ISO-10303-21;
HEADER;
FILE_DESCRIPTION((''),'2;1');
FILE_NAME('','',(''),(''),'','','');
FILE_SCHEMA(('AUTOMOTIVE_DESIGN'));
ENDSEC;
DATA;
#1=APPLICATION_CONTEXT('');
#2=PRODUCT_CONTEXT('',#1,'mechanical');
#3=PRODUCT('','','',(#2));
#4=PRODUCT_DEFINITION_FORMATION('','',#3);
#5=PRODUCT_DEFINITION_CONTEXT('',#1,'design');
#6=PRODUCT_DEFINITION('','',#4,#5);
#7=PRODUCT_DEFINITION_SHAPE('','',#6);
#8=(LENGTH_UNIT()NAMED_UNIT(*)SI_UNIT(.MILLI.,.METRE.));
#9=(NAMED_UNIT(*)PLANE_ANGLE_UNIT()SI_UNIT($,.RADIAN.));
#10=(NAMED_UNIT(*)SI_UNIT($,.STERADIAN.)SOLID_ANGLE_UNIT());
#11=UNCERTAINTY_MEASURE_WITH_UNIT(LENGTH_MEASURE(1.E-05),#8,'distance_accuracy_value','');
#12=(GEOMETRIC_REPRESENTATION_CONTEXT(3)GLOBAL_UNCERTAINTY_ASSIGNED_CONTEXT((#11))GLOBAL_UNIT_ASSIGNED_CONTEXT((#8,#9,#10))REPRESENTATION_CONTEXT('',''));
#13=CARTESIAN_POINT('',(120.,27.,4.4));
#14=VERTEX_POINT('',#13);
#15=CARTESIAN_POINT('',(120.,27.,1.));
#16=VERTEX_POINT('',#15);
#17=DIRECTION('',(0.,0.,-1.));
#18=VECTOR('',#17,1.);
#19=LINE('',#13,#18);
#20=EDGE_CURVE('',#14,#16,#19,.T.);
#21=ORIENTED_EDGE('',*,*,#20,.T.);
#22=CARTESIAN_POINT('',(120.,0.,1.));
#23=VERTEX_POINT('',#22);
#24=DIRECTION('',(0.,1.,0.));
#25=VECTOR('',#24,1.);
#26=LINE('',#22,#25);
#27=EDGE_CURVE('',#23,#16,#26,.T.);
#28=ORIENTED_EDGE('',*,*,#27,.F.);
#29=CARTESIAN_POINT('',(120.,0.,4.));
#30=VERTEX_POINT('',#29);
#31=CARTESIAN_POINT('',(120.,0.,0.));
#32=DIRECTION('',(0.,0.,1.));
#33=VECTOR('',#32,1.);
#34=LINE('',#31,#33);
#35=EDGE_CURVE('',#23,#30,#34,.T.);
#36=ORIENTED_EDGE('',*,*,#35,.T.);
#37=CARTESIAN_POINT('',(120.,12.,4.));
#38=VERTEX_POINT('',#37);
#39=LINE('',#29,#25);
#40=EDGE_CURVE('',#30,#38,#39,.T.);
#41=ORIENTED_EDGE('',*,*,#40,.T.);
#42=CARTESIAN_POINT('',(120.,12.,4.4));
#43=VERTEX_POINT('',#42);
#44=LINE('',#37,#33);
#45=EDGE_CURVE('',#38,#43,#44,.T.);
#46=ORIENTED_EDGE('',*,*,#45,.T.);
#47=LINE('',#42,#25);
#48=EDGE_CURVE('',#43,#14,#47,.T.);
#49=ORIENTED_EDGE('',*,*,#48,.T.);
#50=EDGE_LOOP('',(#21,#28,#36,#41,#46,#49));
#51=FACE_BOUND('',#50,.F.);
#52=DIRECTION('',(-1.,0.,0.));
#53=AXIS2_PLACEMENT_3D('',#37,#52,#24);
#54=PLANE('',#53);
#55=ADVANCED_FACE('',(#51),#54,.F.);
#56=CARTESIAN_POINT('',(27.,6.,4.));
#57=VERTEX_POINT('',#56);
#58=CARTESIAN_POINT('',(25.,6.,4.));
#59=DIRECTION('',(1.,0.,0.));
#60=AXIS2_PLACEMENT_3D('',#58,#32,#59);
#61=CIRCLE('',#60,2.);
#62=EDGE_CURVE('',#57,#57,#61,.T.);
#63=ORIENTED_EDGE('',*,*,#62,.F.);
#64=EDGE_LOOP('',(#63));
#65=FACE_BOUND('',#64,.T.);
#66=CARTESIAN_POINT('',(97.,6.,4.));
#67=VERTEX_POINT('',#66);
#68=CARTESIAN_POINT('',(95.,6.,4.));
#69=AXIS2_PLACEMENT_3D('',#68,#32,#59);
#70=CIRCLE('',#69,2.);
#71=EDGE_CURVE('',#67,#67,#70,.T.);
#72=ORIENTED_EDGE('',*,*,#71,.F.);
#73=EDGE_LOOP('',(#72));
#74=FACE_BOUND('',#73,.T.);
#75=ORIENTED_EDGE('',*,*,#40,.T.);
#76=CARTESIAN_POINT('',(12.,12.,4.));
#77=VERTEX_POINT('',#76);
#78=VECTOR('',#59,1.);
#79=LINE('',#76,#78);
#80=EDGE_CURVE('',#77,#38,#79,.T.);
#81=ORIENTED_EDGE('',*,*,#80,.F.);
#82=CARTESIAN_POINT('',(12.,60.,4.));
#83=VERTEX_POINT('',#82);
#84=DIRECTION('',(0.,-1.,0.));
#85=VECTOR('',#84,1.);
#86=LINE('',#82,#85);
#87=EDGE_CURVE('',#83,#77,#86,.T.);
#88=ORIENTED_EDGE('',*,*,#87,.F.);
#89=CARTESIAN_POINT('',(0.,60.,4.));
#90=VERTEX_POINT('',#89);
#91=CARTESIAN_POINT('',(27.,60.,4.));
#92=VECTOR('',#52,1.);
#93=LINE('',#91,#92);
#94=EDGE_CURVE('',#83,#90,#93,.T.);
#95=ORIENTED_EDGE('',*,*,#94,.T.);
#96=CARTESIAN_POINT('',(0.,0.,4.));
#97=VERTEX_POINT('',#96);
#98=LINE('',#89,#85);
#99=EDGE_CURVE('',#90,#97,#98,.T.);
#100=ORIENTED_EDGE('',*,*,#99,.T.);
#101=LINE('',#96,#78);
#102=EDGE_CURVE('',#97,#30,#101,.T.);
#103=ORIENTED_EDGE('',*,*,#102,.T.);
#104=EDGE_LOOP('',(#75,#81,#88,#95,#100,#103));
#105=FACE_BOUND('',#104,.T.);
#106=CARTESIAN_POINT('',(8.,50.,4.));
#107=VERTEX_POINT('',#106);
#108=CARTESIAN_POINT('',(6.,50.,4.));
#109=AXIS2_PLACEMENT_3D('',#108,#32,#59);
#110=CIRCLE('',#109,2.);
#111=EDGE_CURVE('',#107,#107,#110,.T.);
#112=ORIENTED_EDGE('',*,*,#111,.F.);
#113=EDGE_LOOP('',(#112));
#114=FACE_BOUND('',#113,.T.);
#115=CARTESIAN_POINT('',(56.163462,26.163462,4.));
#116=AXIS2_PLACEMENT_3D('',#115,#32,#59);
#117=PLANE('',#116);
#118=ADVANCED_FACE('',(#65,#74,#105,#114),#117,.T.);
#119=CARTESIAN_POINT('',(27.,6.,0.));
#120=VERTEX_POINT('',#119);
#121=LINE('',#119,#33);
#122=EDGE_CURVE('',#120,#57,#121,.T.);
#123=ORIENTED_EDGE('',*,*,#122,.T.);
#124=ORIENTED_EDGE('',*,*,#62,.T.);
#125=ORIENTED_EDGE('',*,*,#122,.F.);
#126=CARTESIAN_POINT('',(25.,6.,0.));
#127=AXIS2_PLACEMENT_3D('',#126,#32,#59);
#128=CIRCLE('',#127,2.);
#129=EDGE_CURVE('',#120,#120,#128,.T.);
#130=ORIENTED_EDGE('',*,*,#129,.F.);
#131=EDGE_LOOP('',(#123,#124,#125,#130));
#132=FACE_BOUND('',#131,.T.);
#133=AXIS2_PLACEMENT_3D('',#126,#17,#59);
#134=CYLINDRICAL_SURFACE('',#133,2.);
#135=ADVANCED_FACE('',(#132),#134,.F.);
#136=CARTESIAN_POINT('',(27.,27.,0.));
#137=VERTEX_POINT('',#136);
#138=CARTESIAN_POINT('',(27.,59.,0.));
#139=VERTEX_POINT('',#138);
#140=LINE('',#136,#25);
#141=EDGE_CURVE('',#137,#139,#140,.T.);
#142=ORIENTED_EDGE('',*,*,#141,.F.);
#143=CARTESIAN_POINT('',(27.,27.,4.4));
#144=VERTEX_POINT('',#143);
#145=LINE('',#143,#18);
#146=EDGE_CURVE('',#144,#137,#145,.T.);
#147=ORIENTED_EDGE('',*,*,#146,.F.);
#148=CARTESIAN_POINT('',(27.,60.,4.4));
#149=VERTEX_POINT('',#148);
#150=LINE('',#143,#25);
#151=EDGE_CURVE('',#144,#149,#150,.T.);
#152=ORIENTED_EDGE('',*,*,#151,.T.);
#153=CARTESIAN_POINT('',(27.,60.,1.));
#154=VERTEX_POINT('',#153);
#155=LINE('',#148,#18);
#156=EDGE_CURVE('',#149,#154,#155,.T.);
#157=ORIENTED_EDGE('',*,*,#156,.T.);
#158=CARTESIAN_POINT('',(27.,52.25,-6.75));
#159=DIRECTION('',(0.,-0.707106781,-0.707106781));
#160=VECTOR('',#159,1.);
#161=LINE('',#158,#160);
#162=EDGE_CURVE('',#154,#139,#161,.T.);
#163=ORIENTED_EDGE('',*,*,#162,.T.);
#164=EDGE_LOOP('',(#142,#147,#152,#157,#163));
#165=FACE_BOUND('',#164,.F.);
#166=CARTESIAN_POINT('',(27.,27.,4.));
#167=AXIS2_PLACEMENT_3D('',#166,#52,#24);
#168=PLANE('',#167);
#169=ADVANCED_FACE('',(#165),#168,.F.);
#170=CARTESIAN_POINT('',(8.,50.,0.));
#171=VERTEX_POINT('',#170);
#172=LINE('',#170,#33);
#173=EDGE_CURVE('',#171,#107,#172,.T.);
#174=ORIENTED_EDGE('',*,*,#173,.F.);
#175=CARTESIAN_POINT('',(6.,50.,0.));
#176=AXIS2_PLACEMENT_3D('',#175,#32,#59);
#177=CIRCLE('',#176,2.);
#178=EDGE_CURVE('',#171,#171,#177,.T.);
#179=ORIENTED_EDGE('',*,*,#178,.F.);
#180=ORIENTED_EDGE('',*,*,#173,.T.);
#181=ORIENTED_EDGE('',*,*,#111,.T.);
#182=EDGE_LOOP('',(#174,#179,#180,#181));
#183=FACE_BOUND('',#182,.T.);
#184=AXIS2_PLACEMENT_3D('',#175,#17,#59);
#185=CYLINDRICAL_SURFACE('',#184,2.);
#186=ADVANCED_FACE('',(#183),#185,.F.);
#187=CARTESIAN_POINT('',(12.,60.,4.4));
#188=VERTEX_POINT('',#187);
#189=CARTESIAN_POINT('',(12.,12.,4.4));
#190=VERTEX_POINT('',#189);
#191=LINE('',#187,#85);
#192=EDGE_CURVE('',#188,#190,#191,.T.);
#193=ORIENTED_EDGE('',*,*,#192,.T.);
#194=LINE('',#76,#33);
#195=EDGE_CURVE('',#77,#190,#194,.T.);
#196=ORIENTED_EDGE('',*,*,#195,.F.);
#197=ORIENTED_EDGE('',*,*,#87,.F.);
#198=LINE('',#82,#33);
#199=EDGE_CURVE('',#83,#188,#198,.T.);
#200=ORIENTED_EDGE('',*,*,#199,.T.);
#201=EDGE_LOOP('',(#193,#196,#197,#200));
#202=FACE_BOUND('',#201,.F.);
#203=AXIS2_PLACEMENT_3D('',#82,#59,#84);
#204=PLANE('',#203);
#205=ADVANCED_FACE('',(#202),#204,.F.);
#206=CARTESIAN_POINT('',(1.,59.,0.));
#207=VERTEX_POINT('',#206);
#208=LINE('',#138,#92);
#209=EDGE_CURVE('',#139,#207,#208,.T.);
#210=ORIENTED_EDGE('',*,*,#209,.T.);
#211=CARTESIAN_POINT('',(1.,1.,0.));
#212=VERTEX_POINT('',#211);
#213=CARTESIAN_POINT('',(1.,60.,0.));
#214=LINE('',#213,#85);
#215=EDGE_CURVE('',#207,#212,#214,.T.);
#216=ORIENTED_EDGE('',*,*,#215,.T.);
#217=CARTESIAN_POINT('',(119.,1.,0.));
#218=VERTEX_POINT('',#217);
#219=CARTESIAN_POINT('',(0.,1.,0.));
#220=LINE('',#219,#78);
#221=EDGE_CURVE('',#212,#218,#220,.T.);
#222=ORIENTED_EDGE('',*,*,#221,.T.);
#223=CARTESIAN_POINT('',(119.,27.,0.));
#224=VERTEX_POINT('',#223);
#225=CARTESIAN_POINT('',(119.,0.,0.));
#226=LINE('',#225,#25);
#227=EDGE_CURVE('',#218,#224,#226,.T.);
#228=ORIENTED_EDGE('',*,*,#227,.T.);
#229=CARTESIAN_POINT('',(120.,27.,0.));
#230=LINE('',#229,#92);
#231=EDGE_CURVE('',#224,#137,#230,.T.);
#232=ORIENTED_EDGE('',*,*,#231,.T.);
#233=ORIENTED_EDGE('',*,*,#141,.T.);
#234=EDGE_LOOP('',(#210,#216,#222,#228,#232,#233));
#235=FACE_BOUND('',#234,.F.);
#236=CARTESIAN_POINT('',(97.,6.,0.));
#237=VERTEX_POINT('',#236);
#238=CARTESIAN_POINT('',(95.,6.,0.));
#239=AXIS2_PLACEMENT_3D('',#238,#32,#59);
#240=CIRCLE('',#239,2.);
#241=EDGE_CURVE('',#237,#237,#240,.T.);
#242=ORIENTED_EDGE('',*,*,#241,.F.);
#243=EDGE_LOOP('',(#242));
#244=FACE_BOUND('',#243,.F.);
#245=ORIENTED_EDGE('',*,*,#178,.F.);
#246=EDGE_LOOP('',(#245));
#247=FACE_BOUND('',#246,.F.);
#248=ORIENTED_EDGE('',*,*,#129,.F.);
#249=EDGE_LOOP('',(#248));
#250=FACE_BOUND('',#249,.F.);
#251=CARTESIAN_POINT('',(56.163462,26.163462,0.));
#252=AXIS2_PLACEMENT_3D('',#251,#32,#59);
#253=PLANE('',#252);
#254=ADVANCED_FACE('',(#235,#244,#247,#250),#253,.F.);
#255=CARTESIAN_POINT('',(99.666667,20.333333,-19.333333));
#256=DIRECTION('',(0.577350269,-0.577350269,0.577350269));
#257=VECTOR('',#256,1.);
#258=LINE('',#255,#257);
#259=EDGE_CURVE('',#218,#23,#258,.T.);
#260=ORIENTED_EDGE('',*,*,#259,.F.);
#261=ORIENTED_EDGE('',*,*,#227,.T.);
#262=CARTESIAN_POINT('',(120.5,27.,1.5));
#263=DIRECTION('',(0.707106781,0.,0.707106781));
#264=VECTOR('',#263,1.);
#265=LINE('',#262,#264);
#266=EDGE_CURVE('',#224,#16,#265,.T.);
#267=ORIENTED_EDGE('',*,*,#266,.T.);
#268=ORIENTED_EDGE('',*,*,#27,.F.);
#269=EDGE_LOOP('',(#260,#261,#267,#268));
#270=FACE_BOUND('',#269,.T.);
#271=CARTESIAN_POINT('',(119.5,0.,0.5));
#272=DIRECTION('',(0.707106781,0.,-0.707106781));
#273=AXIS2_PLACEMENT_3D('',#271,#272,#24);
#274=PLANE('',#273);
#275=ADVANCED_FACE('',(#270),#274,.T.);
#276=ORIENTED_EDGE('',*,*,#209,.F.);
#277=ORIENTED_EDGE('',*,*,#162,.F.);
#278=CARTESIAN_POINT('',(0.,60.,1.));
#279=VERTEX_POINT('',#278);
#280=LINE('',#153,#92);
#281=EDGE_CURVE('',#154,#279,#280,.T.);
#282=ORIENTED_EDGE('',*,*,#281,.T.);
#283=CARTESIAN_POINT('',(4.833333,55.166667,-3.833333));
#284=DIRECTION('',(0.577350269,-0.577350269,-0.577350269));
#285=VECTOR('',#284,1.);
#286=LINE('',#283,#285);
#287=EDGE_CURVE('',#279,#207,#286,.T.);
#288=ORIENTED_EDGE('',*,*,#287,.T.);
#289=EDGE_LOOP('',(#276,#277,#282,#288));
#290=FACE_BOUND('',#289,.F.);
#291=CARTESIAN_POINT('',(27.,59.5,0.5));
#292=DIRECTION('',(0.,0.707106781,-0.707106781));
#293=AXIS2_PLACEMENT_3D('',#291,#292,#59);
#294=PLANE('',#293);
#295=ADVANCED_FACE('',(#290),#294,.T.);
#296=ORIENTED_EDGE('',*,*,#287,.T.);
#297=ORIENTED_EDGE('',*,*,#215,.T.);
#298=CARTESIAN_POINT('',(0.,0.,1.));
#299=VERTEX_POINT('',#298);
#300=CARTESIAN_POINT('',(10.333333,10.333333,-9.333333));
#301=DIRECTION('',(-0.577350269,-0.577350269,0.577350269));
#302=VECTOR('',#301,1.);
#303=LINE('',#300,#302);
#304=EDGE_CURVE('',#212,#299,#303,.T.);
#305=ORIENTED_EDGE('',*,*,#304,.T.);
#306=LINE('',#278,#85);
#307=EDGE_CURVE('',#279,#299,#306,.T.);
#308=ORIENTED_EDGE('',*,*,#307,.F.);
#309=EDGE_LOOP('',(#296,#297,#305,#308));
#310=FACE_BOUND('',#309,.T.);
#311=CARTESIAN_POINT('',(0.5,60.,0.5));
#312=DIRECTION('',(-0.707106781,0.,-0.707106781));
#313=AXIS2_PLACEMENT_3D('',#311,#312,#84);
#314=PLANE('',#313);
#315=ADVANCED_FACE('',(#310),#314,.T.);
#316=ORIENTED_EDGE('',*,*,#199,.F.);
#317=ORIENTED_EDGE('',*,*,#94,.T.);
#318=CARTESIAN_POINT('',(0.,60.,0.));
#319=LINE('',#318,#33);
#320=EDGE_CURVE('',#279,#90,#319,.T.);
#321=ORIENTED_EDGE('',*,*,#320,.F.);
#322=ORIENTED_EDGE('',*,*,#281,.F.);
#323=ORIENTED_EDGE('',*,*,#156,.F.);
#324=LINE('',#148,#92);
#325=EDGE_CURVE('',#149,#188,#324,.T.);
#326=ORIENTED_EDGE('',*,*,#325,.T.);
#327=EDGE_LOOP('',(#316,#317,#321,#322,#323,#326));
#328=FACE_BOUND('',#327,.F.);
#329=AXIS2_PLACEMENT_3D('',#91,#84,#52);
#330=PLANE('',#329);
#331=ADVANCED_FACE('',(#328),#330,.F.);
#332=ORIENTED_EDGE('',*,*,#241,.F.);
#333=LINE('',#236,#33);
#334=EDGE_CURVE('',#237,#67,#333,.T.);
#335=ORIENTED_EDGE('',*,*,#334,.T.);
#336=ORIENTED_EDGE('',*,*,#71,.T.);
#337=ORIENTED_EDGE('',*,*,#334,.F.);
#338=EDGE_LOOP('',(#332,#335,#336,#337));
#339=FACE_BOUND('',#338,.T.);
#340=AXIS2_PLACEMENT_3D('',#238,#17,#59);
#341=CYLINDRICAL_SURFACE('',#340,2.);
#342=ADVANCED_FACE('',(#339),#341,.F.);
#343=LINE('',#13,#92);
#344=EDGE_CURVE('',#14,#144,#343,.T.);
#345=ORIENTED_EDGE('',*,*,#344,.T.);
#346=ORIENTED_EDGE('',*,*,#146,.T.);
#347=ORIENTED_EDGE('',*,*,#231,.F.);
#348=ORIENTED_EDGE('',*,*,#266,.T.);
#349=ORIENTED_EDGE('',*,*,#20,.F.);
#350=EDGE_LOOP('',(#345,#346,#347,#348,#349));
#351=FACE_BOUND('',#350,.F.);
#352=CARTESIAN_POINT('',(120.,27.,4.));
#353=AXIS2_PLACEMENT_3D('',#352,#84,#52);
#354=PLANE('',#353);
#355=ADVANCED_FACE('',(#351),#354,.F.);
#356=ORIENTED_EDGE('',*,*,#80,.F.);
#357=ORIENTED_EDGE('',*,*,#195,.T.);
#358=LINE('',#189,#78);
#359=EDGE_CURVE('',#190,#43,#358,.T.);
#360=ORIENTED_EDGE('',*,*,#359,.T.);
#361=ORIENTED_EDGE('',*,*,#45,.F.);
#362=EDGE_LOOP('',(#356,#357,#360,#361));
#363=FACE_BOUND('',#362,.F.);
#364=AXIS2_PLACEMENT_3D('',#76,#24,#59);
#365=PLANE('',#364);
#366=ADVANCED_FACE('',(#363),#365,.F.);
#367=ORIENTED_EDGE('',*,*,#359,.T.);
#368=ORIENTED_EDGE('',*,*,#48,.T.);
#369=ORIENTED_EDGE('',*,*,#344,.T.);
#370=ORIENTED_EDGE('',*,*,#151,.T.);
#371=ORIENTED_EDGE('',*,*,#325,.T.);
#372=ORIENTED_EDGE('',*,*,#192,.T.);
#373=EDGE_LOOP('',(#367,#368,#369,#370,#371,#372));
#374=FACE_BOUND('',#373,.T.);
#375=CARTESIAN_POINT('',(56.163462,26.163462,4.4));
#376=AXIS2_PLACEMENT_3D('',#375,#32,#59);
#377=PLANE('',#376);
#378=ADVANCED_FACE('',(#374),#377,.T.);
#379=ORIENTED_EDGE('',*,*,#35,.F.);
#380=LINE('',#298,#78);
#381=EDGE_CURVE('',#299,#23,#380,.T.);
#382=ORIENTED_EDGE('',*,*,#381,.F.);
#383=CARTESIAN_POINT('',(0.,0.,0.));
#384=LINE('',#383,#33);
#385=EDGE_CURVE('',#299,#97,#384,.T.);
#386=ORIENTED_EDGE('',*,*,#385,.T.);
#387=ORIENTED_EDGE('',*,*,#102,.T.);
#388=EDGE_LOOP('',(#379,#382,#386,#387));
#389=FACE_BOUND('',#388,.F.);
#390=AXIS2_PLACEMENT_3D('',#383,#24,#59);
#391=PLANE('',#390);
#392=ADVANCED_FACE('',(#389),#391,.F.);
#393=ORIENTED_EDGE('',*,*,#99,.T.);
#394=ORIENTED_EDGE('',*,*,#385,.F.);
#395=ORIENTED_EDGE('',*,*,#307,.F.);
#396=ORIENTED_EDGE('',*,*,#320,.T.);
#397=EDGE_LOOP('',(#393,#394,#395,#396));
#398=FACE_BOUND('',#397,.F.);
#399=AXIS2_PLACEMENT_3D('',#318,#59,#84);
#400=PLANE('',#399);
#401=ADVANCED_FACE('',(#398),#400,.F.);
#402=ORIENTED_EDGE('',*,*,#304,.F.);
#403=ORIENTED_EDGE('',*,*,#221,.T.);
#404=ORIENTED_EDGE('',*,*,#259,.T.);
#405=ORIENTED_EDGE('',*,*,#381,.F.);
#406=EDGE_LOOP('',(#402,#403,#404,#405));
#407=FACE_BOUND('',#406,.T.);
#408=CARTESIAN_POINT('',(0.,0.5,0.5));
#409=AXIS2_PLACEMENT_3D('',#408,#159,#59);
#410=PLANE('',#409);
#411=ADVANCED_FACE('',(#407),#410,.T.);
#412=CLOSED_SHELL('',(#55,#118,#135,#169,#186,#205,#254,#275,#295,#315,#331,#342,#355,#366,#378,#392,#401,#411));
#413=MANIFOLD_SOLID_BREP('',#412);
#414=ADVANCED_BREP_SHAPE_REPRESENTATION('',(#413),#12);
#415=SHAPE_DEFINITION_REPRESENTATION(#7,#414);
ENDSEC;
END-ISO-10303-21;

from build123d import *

# Parameters (mm, degrees)
F0_R     = 2
F1_DEPTH = 4
F3_DEPTH = 0.4
F4_SIZE  = 1


with BuildPart() as f1:
    # F0 (on Top) → F1 (new body)
    with BuildSketch(Plane.XY):
        Polygon((12, 12), (120, 12), (120, 27), (27, 27), (27, 60), (12, 60), align=None)
        Polygon((0, 60), (0, 0), (120, 0), (120, 12), (12, 12), (12, 60), align=None)
        with Locations((25, 6)):
            Circle(F0_R, mode=Mode.SUBTRACT)
        with Locations((95, 6)):
            Circle(F0_R, mode=Mode.SUBTRACT)
        with Locations((6, 50)):
            Circle(F0_R, mode=Mode.SUBTRACT)
    extrude(amount=F1_DEPTH)

    # F2 (on face) → F3 (join)
    with BuildSketch(Plane.XY.offset(4)):
        Polygon((27, 60), (12, 60), (12, 12), (120, 12), (120, 27), (27, 27), align=None)
    extrude(amount=F3_DEPTH)

    # F4
    f4_edges = [f1.edges().sort_by_distance(p)[0] for p in [
        (120, 13.5, 0),
        (13.5, 60, 0),
        (60, 0, 0),
        (0, 30, 0),
    ]]
    chamfer(f4_edges, length=F4_SIZE)


solid = f1.part
